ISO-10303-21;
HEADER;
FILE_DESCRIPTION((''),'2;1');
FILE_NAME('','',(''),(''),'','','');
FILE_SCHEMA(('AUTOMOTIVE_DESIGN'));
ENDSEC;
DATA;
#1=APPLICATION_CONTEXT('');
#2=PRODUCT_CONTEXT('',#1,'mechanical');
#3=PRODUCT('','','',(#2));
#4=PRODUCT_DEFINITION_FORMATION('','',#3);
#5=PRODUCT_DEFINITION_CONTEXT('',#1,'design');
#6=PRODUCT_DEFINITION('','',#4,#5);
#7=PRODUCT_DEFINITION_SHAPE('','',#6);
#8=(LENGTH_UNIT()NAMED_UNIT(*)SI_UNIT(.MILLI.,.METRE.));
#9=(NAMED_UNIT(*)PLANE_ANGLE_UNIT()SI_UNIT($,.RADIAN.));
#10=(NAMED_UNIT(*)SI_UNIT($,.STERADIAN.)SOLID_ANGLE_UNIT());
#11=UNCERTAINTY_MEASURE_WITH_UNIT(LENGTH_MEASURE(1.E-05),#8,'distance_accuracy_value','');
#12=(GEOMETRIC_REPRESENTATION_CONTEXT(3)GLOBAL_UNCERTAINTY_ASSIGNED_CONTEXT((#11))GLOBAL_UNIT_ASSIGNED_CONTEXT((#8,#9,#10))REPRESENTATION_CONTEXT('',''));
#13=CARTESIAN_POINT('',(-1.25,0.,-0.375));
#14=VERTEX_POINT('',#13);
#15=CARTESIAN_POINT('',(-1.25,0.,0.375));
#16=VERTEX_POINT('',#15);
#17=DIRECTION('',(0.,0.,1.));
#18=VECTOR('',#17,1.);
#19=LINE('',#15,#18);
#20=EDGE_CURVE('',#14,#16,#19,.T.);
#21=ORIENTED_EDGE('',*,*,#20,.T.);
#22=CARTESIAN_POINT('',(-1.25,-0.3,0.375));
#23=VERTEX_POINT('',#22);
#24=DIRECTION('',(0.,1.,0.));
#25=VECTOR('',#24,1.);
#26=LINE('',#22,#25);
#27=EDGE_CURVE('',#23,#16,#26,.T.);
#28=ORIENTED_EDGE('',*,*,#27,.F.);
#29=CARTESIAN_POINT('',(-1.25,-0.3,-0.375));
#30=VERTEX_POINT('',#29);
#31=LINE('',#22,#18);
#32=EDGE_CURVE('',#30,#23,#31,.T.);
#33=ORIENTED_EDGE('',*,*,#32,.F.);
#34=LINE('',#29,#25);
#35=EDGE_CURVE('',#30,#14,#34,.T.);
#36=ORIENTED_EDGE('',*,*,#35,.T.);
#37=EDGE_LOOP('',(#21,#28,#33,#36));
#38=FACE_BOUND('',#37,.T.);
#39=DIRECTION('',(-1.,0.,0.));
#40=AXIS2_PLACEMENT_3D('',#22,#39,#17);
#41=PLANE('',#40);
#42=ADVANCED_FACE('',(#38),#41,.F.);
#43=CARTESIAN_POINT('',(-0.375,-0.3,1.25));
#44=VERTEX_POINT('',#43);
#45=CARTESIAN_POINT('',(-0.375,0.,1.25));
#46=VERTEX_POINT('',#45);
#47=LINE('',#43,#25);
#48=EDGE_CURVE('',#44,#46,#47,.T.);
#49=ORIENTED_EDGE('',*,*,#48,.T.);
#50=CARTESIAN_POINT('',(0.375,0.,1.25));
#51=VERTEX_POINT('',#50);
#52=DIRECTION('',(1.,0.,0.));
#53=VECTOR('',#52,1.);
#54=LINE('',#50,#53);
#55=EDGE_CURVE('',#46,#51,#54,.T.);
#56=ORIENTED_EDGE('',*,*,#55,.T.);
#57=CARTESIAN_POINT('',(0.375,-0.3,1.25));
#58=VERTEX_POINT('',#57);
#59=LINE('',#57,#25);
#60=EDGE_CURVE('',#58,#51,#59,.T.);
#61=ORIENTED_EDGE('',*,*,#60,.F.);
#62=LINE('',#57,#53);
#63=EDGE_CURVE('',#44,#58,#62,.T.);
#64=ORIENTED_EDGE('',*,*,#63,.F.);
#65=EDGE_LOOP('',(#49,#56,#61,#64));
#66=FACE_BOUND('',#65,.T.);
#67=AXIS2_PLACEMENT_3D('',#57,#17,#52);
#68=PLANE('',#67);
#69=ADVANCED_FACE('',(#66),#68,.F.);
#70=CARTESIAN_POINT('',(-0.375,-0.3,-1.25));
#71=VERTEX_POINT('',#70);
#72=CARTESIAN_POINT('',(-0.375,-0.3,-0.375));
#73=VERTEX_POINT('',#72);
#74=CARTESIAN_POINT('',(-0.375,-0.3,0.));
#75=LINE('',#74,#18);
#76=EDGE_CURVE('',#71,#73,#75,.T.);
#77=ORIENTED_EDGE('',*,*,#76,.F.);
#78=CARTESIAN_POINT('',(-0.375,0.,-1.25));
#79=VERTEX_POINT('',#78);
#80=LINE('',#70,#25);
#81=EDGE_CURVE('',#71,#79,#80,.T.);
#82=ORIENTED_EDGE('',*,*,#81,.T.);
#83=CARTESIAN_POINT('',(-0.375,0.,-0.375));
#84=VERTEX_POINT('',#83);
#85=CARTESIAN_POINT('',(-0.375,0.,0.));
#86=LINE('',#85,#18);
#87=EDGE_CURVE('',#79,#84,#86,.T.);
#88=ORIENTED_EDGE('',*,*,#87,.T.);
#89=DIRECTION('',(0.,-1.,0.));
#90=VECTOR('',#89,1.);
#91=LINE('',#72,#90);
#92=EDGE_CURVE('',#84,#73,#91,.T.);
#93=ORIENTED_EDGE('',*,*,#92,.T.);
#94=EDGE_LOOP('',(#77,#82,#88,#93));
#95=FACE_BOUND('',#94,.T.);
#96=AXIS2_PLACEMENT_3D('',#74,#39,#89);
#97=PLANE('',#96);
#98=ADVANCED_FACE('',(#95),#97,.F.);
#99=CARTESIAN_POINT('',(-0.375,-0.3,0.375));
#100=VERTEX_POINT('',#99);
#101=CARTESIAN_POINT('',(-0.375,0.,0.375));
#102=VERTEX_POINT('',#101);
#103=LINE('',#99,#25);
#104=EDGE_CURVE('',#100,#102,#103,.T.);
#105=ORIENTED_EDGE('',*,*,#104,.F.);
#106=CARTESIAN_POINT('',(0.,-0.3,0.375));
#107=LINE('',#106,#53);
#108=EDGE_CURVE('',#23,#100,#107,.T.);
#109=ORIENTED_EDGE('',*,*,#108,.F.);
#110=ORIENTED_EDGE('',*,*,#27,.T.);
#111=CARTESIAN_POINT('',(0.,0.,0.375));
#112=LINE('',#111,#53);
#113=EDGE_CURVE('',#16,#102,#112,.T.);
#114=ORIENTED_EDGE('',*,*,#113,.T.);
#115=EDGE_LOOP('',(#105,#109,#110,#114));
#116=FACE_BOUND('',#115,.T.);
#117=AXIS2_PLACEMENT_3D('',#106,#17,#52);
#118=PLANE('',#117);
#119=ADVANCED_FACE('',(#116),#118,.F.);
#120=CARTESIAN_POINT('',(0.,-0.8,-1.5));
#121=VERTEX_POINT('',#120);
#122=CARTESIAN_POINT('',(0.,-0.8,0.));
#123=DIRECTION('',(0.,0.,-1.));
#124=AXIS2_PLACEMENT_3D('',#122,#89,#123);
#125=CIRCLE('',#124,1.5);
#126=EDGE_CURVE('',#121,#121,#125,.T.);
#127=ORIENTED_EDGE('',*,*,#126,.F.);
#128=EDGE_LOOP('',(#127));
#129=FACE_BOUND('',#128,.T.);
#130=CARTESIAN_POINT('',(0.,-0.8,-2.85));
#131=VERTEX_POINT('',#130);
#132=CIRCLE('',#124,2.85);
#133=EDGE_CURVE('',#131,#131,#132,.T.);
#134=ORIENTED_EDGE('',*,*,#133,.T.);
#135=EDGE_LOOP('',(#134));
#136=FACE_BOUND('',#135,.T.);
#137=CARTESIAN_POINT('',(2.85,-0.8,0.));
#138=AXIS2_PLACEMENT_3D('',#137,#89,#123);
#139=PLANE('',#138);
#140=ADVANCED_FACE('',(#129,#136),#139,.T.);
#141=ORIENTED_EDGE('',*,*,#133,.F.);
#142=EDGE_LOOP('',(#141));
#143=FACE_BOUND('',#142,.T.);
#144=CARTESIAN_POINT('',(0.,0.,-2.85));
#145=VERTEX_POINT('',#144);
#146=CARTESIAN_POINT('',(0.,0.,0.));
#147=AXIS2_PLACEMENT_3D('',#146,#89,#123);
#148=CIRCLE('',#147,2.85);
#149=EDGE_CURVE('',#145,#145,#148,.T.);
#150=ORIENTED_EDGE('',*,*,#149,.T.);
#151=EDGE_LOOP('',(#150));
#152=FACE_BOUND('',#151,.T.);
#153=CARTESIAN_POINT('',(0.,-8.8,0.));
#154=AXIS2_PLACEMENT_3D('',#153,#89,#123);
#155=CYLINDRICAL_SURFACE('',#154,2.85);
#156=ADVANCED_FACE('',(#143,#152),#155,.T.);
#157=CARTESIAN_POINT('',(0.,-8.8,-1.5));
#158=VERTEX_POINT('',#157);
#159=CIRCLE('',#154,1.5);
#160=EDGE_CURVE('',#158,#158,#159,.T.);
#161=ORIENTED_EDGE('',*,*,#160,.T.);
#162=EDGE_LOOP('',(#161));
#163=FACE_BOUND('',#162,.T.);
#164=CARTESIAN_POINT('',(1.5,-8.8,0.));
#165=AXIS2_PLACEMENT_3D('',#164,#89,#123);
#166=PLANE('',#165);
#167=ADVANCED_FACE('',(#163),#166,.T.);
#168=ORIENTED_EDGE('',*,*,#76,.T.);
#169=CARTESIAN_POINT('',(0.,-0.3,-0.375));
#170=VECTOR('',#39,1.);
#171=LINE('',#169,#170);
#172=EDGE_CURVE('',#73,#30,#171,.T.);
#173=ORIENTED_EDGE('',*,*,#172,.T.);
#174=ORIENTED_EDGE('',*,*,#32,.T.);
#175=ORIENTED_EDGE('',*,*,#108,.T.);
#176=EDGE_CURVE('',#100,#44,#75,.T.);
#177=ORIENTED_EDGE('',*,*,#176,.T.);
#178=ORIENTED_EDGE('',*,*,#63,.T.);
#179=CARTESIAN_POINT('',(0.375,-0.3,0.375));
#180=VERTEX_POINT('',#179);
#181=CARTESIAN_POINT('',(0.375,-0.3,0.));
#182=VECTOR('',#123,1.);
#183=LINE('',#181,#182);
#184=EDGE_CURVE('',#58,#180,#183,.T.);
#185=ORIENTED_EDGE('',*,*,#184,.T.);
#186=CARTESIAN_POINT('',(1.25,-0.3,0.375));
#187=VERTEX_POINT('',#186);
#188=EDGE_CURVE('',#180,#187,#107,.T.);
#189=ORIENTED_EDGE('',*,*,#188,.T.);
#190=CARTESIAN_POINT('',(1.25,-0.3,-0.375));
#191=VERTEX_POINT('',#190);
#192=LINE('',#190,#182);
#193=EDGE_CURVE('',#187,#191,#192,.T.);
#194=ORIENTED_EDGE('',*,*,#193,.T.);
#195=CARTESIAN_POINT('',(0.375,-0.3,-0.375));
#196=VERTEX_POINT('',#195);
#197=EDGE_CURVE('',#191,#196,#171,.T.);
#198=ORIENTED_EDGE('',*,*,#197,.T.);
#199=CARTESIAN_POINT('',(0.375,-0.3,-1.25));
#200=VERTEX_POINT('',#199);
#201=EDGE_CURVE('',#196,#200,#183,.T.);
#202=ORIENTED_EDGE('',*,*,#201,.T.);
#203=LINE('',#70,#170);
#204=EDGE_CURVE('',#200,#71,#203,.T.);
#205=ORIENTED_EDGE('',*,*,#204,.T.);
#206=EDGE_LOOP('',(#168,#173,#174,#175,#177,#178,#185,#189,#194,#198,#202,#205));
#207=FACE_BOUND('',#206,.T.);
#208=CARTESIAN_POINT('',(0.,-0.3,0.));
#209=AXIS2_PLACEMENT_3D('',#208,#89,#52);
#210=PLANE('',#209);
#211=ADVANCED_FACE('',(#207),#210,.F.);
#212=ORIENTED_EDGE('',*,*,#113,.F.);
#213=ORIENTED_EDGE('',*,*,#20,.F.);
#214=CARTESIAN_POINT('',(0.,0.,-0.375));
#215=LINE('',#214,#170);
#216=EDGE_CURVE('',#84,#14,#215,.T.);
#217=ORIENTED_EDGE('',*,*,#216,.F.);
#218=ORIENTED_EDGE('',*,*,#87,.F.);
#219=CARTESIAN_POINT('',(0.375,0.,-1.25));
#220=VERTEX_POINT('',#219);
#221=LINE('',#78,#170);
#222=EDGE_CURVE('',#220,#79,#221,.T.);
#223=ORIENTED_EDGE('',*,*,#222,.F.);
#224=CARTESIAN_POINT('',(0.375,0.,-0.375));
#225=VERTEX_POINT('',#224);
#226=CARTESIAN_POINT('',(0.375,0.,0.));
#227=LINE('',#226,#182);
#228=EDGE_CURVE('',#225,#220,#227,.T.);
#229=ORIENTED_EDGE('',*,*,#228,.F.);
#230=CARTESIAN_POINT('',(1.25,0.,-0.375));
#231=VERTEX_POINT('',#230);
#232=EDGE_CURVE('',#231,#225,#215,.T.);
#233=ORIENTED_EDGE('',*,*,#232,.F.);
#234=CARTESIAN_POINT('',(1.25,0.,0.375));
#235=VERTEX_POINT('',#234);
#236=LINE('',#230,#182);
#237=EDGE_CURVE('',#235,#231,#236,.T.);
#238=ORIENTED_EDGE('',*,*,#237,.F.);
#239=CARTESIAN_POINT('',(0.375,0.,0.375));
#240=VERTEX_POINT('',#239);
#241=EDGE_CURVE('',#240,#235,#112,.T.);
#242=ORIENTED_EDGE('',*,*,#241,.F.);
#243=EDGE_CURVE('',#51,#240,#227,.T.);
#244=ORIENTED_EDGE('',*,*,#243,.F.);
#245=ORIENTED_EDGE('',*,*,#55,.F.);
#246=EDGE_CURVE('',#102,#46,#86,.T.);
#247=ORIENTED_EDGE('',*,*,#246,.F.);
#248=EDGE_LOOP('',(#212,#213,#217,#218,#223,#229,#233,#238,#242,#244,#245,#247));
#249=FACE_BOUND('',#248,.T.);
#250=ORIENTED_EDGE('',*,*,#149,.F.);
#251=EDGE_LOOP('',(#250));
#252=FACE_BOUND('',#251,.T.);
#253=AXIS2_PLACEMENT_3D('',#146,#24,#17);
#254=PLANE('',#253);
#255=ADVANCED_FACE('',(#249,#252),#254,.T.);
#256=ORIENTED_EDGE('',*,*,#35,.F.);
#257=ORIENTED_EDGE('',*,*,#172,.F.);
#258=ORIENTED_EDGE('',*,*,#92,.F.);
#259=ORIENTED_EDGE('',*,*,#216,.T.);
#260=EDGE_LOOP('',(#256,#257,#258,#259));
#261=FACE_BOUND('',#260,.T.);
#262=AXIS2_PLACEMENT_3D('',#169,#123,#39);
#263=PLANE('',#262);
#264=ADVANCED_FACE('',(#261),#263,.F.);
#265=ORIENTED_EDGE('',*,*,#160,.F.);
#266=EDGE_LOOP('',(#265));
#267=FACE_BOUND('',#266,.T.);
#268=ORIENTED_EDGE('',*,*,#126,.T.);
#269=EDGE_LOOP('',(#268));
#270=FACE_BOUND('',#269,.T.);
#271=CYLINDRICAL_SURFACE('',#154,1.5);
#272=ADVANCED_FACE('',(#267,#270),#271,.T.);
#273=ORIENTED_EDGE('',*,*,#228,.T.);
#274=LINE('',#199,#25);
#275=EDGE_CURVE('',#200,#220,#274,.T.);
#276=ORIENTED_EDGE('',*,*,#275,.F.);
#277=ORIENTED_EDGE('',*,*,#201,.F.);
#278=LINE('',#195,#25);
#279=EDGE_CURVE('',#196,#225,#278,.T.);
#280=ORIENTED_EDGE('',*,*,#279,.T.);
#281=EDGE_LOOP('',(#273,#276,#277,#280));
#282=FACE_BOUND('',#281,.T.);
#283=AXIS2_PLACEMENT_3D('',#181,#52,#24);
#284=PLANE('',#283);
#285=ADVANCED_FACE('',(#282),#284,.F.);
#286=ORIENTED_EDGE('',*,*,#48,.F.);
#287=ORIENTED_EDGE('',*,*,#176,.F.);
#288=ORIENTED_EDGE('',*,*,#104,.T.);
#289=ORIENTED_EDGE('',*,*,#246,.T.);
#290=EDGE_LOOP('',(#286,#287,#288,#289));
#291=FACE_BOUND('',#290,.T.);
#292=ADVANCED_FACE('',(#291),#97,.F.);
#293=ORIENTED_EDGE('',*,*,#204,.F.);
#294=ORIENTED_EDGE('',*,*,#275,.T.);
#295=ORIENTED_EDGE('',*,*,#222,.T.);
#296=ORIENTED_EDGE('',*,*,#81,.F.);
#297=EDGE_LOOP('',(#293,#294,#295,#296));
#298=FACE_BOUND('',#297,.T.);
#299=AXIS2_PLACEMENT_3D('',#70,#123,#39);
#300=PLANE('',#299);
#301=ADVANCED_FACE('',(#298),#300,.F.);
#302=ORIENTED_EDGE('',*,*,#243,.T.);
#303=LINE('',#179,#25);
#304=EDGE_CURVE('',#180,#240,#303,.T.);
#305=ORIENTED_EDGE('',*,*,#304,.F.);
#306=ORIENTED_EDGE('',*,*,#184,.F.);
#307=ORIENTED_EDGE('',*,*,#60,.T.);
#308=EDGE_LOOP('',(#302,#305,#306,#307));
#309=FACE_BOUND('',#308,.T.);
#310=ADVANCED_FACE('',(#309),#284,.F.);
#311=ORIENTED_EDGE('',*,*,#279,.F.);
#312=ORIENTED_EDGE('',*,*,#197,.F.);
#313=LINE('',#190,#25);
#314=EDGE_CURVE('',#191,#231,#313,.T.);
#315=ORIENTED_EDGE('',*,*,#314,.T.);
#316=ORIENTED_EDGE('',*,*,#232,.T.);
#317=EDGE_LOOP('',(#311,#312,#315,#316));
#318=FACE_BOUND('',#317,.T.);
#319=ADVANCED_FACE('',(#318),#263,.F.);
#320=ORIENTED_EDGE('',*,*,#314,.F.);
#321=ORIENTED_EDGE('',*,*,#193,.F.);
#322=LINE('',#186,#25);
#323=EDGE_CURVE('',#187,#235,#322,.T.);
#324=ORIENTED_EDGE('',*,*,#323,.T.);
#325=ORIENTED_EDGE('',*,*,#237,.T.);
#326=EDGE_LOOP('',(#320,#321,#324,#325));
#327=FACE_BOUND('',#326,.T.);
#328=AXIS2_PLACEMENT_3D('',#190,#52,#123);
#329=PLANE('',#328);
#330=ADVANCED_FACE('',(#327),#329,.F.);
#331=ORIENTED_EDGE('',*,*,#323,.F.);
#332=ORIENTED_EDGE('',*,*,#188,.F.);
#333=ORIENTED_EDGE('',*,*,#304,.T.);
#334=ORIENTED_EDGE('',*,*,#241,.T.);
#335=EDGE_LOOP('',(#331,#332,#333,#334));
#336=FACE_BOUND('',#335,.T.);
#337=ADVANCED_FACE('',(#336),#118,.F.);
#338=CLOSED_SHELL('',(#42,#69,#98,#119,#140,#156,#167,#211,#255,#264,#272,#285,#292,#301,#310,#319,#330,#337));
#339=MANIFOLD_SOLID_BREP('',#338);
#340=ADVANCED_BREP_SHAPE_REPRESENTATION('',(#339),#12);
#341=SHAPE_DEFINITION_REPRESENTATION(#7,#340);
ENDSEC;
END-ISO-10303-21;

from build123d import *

# Parameters (mm, degrees)
SKETCH_2_W               = 0.75
SKETCH_2_H               = 1.25
CUT_EXTRUDE_1_DEPTH      = 0.3
PATTERN_CIRCULAR_1_COUNT = 4


with BuildPart() as part:
    # ｽｹｯﾁ1 → 回転1 (revolve)
    with BuildSketch(Plane.XY, mode=Mode.PRIVATE) as revolve_1_sk:
        Polygon((0, 0), (2.85, 0), (2.85, -0.8), (1.5, -0.8), (1.5, -8.8), (0, -8.8), align=None)
    revolve(revolve_1_sk.sketch.rotate(Axis((0, -8.8, 0), (0, 1, 0)), 90), axis=Axis((0, -8.8, 0), (0, 1, 0)))

    # ｽｹｯﾁ2 → ｶｯﾄ - 押し出し1 (cut)
    with BuildSketch(Plane(origin=(0, 0, 0), x_dir=(1, 0, 0), z_dir=(0, 1, 0))):
        with Locations((0, 0.625)):
            Rectangle(SKETCH_2_W, SKETCH_2_H)
    cut_extrude_1 = extrude(amount=-CUT_EXTRUDE_1_DEPTH, mode=Mode.SUBTRACT)

    # 円形ﾊﾟﾀｰﾝ1: ｶｯﾄ - 押し出し1 ×4 about axis
    pattern_circular_1_axis = Axis((0, 0, 0), (0, 1, 0))
    for i in range(1, PATTERN_CIRCULAR_1_COUNT):
        add(cut_extrude_1.rotate(pattern_circular_1_axis, i * 360 / PATTERN_CIRCULAR_1_COUNT), mode=Mode.SUBTRACT)


solid = part.part
